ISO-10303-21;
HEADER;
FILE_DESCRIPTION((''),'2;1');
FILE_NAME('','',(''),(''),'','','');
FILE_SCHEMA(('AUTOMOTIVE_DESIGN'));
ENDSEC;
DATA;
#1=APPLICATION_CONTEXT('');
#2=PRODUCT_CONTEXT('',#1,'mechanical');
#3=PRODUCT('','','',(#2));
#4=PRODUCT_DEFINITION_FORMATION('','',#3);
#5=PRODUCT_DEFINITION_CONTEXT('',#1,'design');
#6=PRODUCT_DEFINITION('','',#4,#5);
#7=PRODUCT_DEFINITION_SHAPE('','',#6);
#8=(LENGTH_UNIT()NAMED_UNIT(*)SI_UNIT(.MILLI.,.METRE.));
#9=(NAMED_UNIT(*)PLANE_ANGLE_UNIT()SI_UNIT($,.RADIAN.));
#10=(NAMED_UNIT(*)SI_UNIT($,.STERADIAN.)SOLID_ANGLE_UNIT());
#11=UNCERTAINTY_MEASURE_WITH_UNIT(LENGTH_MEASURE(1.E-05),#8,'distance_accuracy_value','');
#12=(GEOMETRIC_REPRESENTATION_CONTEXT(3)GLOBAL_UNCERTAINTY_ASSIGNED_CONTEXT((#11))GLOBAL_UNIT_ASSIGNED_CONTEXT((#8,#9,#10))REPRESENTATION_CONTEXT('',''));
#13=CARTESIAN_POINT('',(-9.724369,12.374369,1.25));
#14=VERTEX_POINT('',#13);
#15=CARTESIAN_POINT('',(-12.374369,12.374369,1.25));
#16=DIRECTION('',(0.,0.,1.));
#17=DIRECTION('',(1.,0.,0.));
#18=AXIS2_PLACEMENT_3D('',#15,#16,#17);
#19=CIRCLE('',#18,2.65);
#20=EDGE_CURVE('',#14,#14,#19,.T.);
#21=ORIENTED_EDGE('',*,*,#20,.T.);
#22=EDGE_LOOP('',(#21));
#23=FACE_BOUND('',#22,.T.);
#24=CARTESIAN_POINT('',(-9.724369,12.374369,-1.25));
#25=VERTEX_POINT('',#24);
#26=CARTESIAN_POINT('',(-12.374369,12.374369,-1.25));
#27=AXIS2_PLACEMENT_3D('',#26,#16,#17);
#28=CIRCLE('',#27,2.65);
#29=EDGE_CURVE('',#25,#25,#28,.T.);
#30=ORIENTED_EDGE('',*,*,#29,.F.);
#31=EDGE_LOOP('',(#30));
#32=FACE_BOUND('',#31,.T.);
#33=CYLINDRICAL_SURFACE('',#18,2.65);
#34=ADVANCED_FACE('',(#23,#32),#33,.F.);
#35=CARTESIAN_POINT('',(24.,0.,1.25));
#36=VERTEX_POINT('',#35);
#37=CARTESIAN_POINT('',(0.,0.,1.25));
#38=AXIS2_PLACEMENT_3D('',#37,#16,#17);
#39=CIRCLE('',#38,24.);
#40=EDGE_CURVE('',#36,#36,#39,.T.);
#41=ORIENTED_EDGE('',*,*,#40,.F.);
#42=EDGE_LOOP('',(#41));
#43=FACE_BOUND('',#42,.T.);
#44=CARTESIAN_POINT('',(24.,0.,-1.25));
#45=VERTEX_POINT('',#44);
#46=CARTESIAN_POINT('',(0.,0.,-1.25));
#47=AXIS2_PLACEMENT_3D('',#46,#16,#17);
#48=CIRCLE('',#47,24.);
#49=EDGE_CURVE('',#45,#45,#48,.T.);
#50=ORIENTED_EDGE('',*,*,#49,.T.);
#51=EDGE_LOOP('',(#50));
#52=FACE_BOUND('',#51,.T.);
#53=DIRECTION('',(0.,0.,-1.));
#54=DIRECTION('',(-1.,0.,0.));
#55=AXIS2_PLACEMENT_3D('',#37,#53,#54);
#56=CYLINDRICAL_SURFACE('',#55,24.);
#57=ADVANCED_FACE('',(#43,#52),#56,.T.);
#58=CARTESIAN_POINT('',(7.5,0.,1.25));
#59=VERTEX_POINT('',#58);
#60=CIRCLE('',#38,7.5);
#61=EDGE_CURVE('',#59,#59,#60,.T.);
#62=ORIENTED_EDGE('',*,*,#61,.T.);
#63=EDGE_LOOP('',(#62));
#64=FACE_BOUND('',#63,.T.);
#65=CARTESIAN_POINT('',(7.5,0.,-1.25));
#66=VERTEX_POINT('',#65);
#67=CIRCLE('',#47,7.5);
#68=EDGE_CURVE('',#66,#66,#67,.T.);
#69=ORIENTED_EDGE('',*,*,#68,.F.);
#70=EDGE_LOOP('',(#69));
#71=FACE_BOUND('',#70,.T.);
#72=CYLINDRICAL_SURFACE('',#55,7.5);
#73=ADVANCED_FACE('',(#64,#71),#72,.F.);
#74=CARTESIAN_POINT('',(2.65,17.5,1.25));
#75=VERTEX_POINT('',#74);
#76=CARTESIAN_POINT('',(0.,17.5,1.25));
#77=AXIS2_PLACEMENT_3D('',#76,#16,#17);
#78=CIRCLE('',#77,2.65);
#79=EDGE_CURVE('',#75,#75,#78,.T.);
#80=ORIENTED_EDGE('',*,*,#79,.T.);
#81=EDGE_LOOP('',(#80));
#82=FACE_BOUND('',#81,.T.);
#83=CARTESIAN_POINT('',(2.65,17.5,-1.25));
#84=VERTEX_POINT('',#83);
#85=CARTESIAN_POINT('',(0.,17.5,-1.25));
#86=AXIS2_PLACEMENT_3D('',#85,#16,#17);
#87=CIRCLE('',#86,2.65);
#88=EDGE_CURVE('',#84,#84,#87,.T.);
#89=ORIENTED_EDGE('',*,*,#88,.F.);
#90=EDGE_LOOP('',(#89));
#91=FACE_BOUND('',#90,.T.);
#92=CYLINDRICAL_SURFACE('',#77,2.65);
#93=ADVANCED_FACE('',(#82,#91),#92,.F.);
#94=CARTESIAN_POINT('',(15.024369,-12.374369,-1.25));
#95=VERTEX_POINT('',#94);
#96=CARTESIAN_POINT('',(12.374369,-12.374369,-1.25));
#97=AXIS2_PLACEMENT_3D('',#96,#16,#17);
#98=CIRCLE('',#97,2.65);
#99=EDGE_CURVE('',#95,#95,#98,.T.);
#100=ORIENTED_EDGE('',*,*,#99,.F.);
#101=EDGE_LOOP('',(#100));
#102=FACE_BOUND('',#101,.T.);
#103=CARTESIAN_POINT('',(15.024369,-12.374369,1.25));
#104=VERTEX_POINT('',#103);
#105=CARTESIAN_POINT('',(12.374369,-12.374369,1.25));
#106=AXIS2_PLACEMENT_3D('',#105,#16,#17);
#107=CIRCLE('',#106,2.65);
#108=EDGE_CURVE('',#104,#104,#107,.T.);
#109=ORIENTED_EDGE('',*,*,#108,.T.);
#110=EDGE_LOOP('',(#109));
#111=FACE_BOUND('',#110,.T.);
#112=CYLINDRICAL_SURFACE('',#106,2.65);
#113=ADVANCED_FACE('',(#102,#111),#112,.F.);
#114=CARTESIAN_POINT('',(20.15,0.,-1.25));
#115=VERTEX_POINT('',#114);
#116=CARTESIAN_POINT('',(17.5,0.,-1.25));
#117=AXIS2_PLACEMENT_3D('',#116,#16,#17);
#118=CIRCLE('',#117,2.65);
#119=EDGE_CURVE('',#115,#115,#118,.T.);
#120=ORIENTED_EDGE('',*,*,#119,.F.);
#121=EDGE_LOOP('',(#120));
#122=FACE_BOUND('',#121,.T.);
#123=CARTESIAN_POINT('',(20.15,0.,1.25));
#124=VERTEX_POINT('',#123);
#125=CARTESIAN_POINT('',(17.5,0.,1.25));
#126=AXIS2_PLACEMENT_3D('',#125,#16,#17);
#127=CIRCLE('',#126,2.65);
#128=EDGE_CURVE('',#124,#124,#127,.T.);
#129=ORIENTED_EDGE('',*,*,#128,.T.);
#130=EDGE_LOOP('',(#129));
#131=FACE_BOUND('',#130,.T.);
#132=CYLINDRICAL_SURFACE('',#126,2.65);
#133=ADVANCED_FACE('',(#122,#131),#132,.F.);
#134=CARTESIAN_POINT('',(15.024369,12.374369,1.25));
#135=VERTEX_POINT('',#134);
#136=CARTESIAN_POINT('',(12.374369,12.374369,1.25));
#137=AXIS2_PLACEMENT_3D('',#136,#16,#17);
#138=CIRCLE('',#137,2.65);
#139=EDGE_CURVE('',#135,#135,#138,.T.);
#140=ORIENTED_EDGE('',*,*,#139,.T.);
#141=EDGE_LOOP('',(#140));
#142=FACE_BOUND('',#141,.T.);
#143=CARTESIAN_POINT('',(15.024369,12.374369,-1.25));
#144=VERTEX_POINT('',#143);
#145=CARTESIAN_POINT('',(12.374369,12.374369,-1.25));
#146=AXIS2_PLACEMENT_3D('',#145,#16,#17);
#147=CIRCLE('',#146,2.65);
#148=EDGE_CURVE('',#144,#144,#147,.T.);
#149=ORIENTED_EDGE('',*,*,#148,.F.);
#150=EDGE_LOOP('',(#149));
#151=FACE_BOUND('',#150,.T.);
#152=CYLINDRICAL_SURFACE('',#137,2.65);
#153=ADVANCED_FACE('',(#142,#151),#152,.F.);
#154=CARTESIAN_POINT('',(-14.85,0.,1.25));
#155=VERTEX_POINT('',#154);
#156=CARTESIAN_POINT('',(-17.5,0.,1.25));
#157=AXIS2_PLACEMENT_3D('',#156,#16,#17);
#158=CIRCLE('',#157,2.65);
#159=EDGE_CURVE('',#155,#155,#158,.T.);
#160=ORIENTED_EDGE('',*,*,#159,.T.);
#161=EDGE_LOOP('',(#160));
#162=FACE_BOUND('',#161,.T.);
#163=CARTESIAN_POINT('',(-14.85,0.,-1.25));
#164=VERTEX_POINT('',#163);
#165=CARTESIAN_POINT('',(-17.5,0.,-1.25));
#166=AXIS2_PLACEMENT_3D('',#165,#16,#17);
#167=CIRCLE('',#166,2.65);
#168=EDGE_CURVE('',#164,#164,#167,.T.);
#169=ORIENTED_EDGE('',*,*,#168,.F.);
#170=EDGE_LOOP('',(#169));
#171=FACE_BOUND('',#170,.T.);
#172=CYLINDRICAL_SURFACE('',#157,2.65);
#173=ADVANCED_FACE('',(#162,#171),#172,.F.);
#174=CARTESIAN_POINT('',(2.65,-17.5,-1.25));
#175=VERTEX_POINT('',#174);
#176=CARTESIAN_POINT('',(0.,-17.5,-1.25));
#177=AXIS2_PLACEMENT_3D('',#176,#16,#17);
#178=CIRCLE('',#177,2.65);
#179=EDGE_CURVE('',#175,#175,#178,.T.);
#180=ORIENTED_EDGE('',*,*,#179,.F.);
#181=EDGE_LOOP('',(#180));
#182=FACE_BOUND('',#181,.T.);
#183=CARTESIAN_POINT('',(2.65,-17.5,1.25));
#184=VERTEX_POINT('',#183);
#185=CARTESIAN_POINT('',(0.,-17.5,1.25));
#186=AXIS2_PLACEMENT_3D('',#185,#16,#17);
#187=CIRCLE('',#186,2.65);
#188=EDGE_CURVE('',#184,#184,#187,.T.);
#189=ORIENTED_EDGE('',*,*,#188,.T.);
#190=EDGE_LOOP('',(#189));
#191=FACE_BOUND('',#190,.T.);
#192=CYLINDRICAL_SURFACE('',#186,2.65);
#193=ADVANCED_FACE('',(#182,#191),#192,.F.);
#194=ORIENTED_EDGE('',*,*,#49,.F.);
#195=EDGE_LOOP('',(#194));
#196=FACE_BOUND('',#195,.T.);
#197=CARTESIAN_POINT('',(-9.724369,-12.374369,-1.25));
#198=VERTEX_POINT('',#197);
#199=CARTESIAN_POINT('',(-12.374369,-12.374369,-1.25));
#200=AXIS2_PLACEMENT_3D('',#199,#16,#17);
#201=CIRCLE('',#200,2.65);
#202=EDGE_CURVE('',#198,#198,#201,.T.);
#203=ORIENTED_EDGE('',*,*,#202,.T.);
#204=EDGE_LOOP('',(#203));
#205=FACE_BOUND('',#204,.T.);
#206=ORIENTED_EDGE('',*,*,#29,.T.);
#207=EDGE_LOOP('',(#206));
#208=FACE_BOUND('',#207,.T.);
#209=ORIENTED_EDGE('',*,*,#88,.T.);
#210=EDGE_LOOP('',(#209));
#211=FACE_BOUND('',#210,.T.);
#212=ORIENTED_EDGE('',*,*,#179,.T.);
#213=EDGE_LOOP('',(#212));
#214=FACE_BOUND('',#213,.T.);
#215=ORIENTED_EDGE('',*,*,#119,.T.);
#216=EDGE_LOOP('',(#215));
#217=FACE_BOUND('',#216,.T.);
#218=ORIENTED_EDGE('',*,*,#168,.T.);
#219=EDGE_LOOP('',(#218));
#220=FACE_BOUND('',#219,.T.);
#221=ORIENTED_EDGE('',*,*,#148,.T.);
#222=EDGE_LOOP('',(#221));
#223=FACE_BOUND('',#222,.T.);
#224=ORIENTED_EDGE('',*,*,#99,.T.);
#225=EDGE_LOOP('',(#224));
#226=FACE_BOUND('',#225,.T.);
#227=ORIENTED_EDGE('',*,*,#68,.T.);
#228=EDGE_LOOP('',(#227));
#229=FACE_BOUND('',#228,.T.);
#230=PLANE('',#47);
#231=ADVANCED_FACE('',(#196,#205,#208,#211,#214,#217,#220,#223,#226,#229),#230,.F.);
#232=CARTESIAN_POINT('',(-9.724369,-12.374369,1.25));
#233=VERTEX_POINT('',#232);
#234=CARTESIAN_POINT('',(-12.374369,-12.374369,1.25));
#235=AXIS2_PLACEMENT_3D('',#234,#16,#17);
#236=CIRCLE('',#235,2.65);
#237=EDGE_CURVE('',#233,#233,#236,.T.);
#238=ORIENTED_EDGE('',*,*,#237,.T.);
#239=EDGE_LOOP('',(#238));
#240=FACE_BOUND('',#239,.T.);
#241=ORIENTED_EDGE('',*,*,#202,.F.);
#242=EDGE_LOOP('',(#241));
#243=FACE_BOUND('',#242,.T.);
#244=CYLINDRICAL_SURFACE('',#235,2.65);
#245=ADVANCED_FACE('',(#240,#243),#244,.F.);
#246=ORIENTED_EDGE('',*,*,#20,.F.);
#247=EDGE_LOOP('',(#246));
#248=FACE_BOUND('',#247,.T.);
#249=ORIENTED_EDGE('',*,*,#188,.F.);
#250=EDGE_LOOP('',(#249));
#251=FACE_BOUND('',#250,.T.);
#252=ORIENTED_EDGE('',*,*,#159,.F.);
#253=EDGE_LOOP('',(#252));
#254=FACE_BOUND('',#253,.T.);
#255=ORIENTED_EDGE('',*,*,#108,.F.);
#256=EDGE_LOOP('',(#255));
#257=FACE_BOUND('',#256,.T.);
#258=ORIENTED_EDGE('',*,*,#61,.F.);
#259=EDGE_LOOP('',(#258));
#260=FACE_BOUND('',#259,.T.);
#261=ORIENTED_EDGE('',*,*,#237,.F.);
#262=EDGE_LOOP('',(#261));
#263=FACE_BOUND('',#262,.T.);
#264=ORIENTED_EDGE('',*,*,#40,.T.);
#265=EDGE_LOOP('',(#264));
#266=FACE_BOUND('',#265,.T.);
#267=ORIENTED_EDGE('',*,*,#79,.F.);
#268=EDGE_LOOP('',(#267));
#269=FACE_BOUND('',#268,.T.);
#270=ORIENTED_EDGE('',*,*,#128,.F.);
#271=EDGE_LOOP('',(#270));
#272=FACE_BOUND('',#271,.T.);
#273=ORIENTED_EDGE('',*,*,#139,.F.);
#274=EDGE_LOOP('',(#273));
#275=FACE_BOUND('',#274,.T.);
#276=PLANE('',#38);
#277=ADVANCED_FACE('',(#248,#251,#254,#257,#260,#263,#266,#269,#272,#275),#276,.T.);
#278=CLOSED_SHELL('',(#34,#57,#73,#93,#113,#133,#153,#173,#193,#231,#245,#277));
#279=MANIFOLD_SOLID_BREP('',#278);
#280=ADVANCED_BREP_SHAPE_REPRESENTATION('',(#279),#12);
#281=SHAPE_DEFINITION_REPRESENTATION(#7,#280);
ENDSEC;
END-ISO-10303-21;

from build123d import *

# Parameters (mm, degrees)
SKETCH1_R            = 24
SKETCH1_R_2          = 7.5
BOSS_EXTRUDE1_DEPTH  = 1.25
M5_CLEARANCE_HOLE1_D = 5.3


with BuildPart() as part:
    # Sketch1 → Boss-Extrude1 (new, symmetric)
    with BuildSketch(Plane.XY):
        Circle(SKETCH1_R)
        Circle(SKETCH1_R_2, mode=Mode.SUBTRACT)
    extrude(amount=BOSS_EXTRUDE1_DEPTH, both=True)

    # M5 Clearance Hole1 (through all)
    with Locations(Plane.XY.offset(1.25)):
        with Locations((0, -17.5), (-12.374368671, -12.374368671), (-17.5, 0), (-12.374368671, 12.374368671), (0, 17.5), (12.374368671, 12.374368671), (17.5, 0), (12.374368671, -12.374368671)):
            Hole(M5_CLEARANCE_HOLE1_D / 2)


solid = part.part
